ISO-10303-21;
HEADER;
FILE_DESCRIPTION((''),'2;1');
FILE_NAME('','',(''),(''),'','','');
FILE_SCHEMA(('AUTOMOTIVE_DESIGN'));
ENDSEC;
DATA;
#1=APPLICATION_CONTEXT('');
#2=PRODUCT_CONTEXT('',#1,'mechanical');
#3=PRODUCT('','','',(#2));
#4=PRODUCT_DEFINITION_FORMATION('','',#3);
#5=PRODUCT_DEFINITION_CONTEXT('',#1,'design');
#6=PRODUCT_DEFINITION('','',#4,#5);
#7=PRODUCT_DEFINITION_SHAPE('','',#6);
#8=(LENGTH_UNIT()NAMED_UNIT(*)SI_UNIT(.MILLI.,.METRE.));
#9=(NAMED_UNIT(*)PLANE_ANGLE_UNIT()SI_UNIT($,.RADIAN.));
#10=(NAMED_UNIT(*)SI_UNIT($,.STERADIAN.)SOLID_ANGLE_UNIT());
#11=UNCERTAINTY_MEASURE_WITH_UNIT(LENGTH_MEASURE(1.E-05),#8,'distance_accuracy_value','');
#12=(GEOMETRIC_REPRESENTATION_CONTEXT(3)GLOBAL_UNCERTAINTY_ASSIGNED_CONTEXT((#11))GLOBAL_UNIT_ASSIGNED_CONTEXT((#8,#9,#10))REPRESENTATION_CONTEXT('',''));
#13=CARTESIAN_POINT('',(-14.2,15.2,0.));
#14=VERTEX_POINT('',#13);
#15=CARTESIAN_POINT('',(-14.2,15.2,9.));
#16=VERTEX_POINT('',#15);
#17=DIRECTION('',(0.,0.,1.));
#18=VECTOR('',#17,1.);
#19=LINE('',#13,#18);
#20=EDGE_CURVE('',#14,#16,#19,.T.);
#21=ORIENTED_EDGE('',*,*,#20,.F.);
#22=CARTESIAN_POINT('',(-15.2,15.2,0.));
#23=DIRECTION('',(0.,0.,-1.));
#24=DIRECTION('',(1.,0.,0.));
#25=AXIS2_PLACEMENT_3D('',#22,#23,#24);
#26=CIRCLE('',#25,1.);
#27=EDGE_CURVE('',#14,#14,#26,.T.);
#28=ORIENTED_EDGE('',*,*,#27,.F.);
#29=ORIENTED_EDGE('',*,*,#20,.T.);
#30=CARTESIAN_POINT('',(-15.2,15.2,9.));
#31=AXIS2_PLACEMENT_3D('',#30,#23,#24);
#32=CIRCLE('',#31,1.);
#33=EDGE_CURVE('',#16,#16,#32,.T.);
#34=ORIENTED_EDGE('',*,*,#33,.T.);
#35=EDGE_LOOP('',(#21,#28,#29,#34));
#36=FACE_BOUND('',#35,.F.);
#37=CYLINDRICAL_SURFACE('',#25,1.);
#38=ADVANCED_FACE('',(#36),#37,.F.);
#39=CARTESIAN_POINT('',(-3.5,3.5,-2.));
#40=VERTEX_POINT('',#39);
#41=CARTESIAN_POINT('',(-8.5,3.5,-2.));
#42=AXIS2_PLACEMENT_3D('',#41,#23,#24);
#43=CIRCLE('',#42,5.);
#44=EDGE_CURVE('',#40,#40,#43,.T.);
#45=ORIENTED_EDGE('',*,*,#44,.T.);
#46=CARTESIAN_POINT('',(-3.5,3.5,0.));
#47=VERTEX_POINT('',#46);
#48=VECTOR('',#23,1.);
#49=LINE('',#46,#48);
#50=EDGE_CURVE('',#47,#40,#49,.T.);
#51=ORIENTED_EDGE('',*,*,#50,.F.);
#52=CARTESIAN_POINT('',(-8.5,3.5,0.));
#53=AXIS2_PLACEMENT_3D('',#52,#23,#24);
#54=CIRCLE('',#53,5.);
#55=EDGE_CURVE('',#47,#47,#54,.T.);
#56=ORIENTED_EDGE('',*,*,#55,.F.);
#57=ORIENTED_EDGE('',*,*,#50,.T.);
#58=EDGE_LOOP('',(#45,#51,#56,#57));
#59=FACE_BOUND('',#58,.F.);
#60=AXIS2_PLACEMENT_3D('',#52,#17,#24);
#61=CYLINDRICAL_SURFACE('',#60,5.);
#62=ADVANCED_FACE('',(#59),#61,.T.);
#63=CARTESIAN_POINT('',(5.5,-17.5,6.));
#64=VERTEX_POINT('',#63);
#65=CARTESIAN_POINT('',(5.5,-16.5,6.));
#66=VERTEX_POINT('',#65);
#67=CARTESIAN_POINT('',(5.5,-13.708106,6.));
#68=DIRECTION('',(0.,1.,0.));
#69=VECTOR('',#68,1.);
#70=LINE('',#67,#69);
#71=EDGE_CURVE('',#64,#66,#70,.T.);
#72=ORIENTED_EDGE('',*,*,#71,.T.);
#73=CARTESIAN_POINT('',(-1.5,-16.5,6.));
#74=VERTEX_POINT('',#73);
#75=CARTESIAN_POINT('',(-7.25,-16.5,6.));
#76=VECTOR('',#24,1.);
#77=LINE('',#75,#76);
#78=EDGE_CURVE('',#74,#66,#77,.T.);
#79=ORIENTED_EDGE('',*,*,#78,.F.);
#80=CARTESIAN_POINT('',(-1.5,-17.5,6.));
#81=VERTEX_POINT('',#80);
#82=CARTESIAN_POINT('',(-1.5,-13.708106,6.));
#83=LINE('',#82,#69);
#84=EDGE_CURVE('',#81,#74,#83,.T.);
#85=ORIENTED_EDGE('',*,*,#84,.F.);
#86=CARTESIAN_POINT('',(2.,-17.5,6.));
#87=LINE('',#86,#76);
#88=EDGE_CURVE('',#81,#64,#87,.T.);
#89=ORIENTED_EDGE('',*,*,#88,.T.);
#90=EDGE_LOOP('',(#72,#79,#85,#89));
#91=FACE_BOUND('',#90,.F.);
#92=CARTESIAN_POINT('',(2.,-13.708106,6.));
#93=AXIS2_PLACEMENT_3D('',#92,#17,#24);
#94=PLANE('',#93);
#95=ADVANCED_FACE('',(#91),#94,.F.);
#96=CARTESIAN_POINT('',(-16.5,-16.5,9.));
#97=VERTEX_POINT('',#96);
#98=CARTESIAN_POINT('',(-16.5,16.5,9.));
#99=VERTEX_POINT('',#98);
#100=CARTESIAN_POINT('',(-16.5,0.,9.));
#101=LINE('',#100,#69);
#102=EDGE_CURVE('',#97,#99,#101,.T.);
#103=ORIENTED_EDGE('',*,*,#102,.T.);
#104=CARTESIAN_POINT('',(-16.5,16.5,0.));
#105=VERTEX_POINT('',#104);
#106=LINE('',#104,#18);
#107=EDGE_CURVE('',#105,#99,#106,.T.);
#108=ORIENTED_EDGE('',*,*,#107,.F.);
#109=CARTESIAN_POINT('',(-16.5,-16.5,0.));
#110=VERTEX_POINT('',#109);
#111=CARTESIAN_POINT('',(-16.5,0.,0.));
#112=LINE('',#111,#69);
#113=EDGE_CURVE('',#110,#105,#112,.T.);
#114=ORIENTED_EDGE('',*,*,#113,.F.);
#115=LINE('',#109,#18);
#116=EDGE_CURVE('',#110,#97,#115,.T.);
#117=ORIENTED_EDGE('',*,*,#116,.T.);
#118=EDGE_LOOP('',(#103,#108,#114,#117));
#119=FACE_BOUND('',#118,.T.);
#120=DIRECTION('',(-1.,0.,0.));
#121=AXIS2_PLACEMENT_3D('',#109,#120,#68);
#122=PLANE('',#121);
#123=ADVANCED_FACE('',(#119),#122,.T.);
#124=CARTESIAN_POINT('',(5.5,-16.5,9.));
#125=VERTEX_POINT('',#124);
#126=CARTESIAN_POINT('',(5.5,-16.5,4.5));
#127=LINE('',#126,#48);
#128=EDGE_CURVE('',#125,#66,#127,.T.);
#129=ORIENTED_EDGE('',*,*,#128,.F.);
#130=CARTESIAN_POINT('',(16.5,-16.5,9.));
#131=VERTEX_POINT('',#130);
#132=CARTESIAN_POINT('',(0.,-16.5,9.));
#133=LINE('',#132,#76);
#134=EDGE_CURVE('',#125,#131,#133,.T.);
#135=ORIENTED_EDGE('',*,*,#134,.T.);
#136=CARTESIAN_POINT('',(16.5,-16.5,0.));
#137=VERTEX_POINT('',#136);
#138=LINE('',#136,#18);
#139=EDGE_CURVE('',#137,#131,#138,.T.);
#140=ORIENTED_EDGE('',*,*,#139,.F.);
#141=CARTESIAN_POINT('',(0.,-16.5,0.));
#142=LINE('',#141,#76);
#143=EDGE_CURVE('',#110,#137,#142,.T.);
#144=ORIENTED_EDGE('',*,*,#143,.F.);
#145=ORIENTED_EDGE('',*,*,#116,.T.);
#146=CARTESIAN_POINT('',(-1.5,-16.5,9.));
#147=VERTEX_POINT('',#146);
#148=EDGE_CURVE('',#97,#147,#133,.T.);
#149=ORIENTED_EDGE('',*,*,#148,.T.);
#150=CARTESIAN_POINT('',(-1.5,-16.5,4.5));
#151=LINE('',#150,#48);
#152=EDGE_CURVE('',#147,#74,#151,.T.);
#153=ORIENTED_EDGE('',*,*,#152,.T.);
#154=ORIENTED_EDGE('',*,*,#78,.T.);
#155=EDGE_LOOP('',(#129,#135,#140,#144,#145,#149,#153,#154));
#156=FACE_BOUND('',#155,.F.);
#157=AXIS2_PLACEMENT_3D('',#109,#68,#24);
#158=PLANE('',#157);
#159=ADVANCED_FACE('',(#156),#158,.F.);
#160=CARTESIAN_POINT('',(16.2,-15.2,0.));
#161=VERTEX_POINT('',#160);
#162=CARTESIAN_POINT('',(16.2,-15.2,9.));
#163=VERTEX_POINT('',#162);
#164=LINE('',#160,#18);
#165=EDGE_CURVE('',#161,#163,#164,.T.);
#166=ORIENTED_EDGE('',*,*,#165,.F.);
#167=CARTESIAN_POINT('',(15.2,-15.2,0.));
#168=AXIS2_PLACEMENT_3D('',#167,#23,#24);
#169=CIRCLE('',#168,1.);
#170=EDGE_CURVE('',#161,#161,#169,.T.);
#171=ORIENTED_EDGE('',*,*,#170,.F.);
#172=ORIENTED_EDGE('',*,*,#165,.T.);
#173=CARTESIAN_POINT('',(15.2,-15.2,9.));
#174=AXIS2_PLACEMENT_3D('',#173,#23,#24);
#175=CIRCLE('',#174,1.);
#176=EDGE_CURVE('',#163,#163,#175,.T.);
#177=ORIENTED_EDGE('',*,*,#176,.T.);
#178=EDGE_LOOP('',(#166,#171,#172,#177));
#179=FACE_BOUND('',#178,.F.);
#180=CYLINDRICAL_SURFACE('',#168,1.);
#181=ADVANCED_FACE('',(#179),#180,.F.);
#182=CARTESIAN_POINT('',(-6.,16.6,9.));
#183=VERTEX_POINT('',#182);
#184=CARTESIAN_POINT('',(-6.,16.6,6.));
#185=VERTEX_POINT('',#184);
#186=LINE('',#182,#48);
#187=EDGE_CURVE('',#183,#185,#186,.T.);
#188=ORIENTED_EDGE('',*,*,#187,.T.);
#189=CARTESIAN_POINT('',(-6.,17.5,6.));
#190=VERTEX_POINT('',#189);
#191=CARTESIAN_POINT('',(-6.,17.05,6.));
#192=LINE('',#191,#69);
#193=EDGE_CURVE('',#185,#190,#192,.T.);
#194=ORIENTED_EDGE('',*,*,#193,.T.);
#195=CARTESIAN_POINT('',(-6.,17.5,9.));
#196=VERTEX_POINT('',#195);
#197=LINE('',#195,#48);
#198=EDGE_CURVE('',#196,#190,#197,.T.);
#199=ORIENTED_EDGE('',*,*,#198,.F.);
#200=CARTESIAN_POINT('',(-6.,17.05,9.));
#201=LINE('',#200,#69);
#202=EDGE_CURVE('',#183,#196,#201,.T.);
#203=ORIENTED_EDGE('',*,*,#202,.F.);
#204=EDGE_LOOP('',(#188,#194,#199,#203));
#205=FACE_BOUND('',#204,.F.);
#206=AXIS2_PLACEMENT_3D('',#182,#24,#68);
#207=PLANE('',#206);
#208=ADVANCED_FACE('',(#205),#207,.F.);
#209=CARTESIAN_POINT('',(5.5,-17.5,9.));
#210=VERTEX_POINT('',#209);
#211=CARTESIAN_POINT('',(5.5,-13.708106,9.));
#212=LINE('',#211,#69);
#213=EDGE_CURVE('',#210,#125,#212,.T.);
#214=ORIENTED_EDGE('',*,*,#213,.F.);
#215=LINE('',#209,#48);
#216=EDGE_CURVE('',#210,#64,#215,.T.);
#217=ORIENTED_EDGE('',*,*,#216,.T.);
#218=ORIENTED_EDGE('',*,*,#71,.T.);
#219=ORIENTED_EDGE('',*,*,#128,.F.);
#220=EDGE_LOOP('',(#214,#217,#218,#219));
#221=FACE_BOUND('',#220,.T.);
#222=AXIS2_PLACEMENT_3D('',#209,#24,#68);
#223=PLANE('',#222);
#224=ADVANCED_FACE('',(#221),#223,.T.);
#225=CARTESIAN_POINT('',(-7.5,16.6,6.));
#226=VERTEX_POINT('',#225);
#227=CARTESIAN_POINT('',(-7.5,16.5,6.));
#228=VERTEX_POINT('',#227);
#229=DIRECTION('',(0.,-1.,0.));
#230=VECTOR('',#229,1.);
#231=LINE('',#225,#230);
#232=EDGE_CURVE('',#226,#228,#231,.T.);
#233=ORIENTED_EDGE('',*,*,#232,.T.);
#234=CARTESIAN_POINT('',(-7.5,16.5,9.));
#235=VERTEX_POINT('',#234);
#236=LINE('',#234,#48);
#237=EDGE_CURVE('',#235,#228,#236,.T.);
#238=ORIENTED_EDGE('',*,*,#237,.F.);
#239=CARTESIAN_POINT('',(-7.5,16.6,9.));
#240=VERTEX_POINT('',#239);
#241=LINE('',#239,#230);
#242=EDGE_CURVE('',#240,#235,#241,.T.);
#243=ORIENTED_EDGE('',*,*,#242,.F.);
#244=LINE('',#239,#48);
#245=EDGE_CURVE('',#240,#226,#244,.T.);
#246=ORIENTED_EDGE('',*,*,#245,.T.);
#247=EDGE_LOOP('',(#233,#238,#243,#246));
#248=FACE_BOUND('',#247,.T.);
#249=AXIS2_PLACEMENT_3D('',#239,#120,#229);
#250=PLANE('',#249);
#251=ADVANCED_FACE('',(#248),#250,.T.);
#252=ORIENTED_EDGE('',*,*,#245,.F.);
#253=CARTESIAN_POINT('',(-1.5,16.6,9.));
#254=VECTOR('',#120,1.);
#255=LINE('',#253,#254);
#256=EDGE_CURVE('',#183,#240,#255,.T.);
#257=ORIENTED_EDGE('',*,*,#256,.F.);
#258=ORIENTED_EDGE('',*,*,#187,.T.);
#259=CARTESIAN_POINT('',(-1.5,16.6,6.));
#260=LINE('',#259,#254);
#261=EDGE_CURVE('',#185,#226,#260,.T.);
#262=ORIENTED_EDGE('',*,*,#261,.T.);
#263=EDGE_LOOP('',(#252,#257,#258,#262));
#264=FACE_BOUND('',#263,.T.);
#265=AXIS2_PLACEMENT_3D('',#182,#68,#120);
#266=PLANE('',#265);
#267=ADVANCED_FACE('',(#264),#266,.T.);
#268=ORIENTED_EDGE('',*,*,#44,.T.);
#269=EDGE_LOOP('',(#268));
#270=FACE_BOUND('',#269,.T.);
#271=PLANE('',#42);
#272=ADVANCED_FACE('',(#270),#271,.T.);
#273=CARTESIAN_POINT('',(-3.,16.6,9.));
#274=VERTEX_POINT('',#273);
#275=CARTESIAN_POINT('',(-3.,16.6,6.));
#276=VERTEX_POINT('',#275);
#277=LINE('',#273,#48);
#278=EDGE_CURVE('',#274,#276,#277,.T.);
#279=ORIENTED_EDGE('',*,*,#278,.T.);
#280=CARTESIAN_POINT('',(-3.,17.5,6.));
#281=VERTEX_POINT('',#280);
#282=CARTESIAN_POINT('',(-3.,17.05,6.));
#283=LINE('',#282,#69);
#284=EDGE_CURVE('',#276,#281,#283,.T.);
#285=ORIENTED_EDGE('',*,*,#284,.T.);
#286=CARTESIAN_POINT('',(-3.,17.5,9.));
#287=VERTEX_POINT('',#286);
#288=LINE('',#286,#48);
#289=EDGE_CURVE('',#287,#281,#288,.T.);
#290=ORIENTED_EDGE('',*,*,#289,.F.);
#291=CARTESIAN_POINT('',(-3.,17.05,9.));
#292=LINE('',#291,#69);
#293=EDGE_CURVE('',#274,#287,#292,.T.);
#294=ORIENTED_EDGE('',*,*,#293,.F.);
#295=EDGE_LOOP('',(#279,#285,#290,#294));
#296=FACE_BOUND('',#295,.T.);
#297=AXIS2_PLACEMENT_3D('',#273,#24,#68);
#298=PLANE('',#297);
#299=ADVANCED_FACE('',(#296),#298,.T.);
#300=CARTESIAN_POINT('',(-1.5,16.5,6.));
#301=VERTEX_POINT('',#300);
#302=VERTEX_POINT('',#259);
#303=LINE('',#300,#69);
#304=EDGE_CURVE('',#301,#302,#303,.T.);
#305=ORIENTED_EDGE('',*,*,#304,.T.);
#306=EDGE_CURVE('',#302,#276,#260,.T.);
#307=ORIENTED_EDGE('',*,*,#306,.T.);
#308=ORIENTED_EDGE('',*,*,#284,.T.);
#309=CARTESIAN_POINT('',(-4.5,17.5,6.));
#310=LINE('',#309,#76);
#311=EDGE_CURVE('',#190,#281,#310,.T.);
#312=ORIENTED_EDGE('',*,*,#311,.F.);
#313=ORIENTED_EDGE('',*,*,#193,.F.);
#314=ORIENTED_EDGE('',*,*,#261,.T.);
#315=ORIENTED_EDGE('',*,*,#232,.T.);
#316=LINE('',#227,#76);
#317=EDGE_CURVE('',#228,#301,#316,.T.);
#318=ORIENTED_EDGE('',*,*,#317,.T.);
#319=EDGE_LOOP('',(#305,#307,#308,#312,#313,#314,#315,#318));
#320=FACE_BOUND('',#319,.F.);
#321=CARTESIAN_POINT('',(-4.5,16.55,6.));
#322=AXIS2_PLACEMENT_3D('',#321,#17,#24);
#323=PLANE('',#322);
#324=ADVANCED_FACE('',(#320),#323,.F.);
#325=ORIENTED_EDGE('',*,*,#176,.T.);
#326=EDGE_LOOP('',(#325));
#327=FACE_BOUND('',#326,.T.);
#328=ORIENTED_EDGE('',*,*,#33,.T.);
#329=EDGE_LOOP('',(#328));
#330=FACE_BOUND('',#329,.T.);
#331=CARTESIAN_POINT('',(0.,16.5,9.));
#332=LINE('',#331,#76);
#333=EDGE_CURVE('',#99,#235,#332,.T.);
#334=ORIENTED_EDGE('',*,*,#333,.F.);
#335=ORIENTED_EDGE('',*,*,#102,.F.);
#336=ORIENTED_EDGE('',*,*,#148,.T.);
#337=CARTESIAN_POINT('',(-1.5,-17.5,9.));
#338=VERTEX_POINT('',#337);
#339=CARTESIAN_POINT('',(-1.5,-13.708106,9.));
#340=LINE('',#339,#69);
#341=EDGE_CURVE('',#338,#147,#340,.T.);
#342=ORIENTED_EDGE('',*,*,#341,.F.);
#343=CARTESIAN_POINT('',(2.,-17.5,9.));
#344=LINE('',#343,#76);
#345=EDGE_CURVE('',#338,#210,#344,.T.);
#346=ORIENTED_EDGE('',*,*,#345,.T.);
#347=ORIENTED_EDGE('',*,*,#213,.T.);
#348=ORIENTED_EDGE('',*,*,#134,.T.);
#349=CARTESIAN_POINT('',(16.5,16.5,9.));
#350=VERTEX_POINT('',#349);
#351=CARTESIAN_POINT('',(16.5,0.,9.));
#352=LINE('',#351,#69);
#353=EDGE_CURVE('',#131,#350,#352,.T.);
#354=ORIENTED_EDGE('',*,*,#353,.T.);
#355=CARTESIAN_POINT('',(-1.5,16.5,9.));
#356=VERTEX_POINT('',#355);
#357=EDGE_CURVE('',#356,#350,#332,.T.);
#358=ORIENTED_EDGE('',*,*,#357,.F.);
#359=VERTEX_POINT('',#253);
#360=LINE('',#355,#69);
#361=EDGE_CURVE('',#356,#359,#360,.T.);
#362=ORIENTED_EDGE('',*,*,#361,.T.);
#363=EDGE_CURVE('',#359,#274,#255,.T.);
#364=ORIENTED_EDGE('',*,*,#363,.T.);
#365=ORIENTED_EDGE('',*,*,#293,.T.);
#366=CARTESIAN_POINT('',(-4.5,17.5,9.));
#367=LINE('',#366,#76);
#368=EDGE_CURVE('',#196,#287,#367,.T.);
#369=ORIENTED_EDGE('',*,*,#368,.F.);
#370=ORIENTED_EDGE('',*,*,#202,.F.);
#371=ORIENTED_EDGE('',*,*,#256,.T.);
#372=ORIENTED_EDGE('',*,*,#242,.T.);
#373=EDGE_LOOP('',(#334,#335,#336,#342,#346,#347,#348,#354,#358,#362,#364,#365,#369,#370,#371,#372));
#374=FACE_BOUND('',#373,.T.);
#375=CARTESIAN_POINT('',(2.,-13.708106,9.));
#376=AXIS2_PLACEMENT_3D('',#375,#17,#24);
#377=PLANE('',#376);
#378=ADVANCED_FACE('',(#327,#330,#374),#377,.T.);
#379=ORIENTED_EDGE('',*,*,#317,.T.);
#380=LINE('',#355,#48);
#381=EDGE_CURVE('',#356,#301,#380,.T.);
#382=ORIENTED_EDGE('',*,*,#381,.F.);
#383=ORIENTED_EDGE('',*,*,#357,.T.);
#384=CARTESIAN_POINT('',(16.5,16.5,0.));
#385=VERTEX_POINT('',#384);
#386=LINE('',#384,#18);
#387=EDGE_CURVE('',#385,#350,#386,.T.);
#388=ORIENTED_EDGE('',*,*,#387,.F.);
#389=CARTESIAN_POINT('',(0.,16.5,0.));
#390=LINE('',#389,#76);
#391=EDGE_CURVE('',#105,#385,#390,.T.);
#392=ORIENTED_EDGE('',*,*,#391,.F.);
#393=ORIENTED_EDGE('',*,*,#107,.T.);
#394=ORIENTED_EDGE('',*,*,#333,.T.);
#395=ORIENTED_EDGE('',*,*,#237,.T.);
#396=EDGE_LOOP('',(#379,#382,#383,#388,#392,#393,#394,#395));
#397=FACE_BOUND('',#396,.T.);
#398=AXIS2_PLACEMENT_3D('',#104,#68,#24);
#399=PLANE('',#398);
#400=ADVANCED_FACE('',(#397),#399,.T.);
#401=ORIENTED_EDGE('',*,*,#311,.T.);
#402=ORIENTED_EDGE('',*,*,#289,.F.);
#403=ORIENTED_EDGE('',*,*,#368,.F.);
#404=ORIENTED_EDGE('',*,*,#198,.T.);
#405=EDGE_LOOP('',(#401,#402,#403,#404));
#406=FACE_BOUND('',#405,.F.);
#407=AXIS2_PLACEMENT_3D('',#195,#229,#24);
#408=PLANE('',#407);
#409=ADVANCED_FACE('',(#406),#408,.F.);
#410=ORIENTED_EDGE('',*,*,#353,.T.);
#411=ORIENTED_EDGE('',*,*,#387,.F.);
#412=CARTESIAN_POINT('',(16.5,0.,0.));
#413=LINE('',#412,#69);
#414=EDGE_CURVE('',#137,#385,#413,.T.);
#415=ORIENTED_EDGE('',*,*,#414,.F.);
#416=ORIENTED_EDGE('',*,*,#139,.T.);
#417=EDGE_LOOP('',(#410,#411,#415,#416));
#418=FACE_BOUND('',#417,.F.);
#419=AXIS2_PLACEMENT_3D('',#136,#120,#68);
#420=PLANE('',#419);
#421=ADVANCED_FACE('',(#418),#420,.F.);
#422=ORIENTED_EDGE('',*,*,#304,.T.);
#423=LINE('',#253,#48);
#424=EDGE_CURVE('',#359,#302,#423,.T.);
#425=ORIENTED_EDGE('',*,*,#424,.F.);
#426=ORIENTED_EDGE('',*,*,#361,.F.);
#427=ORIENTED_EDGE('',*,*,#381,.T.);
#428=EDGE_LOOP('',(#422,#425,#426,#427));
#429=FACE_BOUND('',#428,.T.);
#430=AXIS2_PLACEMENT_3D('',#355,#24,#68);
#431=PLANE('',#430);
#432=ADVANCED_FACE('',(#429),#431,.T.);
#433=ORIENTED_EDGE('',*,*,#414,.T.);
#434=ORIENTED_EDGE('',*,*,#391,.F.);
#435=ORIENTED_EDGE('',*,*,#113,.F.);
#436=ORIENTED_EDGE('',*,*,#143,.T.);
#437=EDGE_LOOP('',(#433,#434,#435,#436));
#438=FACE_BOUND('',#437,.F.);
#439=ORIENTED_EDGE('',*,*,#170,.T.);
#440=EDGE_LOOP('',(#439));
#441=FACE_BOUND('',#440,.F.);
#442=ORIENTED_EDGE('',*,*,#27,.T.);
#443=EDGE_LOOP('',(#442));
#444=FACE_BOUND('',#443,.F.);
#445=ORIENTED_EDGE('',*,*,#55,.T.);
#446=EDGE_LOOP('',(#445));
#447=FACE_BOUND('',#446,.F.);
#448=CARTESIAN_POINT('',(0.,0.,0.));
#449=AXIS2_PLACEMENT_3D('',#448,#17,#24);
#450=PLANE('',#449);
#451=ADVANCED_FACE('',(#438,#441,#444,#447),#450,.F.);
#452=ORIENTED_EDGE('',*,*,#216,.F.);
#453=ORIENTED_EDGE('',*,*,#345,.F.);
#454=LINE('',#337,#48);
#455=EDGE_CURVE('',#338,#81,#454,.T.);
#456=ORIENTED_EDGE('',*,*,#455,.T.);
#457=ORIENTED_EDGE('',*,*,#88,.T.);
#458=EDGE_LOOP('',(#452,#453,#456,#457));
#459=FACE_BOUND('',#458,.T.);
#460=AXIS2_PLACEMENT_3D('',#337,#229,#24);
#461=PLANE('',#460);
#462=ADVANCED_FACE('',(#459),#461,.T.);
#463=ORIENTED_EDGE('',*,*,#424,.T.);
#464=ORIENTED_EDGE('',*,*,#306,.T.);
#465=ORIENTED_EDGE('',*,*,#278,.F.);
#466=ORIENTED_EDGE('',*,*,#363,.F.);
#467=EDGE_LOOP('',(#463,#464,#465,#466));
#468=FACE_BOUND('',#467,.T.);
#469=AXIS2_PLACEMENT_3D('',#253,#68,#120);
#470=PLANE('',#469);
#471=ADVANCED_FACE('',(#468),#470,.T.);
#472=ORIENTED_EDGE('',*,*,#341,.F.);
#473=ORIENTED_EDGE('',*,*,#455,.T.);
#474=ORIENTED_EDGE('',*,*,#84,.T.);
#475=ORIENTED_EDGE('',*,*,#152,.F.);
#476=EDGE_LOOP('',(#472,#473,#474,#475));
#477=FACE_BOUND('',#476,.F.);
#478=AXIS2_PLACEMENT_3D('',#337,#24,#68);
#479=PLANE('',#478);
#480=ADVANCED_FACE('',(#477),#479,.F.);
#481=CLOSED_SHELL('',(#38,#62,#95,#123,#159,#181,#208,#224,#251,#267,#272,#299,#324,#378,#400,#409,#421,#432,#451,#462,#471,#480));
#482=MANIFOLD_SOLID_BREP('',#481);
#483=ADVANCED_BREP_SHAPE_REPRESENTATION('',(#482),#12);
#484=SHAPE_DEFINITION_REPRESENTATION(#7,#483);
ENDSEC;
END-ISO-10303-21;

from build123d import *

# Parameters (mm, degrees)
F0_W     = 33
F0_H     = 33
F1_DEPTH = 9
F2_W     = 3
F2_H     = 0.9
F2_W_2   = 7
F2_H_2   = 7.583788
F3_DEPTH = 3
F4_R     = 5
F5_DEPTH = 2
F6_R     = 1
F7_DEPTH = 25


with BuildPart() as f1:
    # F0 (on Top) → F1 (new body)
    with BuildSketch(Plane.XY):
        Rectangle(F0_W, F0_H)
    extrude(amount=F1_DEPTH)

    # F2 (on face) → F3 (join)
    with BuildSketch(Plane.XY.offset(9)):
        Polygon((-7.5, 16.6), (-7.5, 16.5), (-1.5, 16.5), (-1.5, 16.6), (-3, 16.6), (-6, 16.6), align=None)
        with Locations((-4.5, 17.05)):
            Rectangle(F2_W, F2_H)
        with Locations((2, -13.708106)):
            Rectangle(F2_W_2, F2_H_2)
    extrude(amount=-F3_DEPTH)

    # F4 (on face) → F5 (join)
    with BuildSketch(Plane(origin=(0, 0, 0), x_dir=(1, 0, 0), z_dir=(0, 0, -1))):
        with Locations((-8.5, -3.5)):
            Circle(F4_R)
    extrude(amount=F5_DEPTH)

    # F6 (on face) → F7 (cut)
    with BuildSketch(Plane(origin=(0, 0, 0), x_dir=(1, 0, 0), z_dir=(0, 0, -1))):
        with Locations((-15.2, -15.2)):
            Circle(F6_R)
        with Locations((15.2, 15.2)):
            Circle(F6_R)
    extrude(amount=-F7_DEPTH, mode=Mode.SUBTRACT)


solid = f1.part
